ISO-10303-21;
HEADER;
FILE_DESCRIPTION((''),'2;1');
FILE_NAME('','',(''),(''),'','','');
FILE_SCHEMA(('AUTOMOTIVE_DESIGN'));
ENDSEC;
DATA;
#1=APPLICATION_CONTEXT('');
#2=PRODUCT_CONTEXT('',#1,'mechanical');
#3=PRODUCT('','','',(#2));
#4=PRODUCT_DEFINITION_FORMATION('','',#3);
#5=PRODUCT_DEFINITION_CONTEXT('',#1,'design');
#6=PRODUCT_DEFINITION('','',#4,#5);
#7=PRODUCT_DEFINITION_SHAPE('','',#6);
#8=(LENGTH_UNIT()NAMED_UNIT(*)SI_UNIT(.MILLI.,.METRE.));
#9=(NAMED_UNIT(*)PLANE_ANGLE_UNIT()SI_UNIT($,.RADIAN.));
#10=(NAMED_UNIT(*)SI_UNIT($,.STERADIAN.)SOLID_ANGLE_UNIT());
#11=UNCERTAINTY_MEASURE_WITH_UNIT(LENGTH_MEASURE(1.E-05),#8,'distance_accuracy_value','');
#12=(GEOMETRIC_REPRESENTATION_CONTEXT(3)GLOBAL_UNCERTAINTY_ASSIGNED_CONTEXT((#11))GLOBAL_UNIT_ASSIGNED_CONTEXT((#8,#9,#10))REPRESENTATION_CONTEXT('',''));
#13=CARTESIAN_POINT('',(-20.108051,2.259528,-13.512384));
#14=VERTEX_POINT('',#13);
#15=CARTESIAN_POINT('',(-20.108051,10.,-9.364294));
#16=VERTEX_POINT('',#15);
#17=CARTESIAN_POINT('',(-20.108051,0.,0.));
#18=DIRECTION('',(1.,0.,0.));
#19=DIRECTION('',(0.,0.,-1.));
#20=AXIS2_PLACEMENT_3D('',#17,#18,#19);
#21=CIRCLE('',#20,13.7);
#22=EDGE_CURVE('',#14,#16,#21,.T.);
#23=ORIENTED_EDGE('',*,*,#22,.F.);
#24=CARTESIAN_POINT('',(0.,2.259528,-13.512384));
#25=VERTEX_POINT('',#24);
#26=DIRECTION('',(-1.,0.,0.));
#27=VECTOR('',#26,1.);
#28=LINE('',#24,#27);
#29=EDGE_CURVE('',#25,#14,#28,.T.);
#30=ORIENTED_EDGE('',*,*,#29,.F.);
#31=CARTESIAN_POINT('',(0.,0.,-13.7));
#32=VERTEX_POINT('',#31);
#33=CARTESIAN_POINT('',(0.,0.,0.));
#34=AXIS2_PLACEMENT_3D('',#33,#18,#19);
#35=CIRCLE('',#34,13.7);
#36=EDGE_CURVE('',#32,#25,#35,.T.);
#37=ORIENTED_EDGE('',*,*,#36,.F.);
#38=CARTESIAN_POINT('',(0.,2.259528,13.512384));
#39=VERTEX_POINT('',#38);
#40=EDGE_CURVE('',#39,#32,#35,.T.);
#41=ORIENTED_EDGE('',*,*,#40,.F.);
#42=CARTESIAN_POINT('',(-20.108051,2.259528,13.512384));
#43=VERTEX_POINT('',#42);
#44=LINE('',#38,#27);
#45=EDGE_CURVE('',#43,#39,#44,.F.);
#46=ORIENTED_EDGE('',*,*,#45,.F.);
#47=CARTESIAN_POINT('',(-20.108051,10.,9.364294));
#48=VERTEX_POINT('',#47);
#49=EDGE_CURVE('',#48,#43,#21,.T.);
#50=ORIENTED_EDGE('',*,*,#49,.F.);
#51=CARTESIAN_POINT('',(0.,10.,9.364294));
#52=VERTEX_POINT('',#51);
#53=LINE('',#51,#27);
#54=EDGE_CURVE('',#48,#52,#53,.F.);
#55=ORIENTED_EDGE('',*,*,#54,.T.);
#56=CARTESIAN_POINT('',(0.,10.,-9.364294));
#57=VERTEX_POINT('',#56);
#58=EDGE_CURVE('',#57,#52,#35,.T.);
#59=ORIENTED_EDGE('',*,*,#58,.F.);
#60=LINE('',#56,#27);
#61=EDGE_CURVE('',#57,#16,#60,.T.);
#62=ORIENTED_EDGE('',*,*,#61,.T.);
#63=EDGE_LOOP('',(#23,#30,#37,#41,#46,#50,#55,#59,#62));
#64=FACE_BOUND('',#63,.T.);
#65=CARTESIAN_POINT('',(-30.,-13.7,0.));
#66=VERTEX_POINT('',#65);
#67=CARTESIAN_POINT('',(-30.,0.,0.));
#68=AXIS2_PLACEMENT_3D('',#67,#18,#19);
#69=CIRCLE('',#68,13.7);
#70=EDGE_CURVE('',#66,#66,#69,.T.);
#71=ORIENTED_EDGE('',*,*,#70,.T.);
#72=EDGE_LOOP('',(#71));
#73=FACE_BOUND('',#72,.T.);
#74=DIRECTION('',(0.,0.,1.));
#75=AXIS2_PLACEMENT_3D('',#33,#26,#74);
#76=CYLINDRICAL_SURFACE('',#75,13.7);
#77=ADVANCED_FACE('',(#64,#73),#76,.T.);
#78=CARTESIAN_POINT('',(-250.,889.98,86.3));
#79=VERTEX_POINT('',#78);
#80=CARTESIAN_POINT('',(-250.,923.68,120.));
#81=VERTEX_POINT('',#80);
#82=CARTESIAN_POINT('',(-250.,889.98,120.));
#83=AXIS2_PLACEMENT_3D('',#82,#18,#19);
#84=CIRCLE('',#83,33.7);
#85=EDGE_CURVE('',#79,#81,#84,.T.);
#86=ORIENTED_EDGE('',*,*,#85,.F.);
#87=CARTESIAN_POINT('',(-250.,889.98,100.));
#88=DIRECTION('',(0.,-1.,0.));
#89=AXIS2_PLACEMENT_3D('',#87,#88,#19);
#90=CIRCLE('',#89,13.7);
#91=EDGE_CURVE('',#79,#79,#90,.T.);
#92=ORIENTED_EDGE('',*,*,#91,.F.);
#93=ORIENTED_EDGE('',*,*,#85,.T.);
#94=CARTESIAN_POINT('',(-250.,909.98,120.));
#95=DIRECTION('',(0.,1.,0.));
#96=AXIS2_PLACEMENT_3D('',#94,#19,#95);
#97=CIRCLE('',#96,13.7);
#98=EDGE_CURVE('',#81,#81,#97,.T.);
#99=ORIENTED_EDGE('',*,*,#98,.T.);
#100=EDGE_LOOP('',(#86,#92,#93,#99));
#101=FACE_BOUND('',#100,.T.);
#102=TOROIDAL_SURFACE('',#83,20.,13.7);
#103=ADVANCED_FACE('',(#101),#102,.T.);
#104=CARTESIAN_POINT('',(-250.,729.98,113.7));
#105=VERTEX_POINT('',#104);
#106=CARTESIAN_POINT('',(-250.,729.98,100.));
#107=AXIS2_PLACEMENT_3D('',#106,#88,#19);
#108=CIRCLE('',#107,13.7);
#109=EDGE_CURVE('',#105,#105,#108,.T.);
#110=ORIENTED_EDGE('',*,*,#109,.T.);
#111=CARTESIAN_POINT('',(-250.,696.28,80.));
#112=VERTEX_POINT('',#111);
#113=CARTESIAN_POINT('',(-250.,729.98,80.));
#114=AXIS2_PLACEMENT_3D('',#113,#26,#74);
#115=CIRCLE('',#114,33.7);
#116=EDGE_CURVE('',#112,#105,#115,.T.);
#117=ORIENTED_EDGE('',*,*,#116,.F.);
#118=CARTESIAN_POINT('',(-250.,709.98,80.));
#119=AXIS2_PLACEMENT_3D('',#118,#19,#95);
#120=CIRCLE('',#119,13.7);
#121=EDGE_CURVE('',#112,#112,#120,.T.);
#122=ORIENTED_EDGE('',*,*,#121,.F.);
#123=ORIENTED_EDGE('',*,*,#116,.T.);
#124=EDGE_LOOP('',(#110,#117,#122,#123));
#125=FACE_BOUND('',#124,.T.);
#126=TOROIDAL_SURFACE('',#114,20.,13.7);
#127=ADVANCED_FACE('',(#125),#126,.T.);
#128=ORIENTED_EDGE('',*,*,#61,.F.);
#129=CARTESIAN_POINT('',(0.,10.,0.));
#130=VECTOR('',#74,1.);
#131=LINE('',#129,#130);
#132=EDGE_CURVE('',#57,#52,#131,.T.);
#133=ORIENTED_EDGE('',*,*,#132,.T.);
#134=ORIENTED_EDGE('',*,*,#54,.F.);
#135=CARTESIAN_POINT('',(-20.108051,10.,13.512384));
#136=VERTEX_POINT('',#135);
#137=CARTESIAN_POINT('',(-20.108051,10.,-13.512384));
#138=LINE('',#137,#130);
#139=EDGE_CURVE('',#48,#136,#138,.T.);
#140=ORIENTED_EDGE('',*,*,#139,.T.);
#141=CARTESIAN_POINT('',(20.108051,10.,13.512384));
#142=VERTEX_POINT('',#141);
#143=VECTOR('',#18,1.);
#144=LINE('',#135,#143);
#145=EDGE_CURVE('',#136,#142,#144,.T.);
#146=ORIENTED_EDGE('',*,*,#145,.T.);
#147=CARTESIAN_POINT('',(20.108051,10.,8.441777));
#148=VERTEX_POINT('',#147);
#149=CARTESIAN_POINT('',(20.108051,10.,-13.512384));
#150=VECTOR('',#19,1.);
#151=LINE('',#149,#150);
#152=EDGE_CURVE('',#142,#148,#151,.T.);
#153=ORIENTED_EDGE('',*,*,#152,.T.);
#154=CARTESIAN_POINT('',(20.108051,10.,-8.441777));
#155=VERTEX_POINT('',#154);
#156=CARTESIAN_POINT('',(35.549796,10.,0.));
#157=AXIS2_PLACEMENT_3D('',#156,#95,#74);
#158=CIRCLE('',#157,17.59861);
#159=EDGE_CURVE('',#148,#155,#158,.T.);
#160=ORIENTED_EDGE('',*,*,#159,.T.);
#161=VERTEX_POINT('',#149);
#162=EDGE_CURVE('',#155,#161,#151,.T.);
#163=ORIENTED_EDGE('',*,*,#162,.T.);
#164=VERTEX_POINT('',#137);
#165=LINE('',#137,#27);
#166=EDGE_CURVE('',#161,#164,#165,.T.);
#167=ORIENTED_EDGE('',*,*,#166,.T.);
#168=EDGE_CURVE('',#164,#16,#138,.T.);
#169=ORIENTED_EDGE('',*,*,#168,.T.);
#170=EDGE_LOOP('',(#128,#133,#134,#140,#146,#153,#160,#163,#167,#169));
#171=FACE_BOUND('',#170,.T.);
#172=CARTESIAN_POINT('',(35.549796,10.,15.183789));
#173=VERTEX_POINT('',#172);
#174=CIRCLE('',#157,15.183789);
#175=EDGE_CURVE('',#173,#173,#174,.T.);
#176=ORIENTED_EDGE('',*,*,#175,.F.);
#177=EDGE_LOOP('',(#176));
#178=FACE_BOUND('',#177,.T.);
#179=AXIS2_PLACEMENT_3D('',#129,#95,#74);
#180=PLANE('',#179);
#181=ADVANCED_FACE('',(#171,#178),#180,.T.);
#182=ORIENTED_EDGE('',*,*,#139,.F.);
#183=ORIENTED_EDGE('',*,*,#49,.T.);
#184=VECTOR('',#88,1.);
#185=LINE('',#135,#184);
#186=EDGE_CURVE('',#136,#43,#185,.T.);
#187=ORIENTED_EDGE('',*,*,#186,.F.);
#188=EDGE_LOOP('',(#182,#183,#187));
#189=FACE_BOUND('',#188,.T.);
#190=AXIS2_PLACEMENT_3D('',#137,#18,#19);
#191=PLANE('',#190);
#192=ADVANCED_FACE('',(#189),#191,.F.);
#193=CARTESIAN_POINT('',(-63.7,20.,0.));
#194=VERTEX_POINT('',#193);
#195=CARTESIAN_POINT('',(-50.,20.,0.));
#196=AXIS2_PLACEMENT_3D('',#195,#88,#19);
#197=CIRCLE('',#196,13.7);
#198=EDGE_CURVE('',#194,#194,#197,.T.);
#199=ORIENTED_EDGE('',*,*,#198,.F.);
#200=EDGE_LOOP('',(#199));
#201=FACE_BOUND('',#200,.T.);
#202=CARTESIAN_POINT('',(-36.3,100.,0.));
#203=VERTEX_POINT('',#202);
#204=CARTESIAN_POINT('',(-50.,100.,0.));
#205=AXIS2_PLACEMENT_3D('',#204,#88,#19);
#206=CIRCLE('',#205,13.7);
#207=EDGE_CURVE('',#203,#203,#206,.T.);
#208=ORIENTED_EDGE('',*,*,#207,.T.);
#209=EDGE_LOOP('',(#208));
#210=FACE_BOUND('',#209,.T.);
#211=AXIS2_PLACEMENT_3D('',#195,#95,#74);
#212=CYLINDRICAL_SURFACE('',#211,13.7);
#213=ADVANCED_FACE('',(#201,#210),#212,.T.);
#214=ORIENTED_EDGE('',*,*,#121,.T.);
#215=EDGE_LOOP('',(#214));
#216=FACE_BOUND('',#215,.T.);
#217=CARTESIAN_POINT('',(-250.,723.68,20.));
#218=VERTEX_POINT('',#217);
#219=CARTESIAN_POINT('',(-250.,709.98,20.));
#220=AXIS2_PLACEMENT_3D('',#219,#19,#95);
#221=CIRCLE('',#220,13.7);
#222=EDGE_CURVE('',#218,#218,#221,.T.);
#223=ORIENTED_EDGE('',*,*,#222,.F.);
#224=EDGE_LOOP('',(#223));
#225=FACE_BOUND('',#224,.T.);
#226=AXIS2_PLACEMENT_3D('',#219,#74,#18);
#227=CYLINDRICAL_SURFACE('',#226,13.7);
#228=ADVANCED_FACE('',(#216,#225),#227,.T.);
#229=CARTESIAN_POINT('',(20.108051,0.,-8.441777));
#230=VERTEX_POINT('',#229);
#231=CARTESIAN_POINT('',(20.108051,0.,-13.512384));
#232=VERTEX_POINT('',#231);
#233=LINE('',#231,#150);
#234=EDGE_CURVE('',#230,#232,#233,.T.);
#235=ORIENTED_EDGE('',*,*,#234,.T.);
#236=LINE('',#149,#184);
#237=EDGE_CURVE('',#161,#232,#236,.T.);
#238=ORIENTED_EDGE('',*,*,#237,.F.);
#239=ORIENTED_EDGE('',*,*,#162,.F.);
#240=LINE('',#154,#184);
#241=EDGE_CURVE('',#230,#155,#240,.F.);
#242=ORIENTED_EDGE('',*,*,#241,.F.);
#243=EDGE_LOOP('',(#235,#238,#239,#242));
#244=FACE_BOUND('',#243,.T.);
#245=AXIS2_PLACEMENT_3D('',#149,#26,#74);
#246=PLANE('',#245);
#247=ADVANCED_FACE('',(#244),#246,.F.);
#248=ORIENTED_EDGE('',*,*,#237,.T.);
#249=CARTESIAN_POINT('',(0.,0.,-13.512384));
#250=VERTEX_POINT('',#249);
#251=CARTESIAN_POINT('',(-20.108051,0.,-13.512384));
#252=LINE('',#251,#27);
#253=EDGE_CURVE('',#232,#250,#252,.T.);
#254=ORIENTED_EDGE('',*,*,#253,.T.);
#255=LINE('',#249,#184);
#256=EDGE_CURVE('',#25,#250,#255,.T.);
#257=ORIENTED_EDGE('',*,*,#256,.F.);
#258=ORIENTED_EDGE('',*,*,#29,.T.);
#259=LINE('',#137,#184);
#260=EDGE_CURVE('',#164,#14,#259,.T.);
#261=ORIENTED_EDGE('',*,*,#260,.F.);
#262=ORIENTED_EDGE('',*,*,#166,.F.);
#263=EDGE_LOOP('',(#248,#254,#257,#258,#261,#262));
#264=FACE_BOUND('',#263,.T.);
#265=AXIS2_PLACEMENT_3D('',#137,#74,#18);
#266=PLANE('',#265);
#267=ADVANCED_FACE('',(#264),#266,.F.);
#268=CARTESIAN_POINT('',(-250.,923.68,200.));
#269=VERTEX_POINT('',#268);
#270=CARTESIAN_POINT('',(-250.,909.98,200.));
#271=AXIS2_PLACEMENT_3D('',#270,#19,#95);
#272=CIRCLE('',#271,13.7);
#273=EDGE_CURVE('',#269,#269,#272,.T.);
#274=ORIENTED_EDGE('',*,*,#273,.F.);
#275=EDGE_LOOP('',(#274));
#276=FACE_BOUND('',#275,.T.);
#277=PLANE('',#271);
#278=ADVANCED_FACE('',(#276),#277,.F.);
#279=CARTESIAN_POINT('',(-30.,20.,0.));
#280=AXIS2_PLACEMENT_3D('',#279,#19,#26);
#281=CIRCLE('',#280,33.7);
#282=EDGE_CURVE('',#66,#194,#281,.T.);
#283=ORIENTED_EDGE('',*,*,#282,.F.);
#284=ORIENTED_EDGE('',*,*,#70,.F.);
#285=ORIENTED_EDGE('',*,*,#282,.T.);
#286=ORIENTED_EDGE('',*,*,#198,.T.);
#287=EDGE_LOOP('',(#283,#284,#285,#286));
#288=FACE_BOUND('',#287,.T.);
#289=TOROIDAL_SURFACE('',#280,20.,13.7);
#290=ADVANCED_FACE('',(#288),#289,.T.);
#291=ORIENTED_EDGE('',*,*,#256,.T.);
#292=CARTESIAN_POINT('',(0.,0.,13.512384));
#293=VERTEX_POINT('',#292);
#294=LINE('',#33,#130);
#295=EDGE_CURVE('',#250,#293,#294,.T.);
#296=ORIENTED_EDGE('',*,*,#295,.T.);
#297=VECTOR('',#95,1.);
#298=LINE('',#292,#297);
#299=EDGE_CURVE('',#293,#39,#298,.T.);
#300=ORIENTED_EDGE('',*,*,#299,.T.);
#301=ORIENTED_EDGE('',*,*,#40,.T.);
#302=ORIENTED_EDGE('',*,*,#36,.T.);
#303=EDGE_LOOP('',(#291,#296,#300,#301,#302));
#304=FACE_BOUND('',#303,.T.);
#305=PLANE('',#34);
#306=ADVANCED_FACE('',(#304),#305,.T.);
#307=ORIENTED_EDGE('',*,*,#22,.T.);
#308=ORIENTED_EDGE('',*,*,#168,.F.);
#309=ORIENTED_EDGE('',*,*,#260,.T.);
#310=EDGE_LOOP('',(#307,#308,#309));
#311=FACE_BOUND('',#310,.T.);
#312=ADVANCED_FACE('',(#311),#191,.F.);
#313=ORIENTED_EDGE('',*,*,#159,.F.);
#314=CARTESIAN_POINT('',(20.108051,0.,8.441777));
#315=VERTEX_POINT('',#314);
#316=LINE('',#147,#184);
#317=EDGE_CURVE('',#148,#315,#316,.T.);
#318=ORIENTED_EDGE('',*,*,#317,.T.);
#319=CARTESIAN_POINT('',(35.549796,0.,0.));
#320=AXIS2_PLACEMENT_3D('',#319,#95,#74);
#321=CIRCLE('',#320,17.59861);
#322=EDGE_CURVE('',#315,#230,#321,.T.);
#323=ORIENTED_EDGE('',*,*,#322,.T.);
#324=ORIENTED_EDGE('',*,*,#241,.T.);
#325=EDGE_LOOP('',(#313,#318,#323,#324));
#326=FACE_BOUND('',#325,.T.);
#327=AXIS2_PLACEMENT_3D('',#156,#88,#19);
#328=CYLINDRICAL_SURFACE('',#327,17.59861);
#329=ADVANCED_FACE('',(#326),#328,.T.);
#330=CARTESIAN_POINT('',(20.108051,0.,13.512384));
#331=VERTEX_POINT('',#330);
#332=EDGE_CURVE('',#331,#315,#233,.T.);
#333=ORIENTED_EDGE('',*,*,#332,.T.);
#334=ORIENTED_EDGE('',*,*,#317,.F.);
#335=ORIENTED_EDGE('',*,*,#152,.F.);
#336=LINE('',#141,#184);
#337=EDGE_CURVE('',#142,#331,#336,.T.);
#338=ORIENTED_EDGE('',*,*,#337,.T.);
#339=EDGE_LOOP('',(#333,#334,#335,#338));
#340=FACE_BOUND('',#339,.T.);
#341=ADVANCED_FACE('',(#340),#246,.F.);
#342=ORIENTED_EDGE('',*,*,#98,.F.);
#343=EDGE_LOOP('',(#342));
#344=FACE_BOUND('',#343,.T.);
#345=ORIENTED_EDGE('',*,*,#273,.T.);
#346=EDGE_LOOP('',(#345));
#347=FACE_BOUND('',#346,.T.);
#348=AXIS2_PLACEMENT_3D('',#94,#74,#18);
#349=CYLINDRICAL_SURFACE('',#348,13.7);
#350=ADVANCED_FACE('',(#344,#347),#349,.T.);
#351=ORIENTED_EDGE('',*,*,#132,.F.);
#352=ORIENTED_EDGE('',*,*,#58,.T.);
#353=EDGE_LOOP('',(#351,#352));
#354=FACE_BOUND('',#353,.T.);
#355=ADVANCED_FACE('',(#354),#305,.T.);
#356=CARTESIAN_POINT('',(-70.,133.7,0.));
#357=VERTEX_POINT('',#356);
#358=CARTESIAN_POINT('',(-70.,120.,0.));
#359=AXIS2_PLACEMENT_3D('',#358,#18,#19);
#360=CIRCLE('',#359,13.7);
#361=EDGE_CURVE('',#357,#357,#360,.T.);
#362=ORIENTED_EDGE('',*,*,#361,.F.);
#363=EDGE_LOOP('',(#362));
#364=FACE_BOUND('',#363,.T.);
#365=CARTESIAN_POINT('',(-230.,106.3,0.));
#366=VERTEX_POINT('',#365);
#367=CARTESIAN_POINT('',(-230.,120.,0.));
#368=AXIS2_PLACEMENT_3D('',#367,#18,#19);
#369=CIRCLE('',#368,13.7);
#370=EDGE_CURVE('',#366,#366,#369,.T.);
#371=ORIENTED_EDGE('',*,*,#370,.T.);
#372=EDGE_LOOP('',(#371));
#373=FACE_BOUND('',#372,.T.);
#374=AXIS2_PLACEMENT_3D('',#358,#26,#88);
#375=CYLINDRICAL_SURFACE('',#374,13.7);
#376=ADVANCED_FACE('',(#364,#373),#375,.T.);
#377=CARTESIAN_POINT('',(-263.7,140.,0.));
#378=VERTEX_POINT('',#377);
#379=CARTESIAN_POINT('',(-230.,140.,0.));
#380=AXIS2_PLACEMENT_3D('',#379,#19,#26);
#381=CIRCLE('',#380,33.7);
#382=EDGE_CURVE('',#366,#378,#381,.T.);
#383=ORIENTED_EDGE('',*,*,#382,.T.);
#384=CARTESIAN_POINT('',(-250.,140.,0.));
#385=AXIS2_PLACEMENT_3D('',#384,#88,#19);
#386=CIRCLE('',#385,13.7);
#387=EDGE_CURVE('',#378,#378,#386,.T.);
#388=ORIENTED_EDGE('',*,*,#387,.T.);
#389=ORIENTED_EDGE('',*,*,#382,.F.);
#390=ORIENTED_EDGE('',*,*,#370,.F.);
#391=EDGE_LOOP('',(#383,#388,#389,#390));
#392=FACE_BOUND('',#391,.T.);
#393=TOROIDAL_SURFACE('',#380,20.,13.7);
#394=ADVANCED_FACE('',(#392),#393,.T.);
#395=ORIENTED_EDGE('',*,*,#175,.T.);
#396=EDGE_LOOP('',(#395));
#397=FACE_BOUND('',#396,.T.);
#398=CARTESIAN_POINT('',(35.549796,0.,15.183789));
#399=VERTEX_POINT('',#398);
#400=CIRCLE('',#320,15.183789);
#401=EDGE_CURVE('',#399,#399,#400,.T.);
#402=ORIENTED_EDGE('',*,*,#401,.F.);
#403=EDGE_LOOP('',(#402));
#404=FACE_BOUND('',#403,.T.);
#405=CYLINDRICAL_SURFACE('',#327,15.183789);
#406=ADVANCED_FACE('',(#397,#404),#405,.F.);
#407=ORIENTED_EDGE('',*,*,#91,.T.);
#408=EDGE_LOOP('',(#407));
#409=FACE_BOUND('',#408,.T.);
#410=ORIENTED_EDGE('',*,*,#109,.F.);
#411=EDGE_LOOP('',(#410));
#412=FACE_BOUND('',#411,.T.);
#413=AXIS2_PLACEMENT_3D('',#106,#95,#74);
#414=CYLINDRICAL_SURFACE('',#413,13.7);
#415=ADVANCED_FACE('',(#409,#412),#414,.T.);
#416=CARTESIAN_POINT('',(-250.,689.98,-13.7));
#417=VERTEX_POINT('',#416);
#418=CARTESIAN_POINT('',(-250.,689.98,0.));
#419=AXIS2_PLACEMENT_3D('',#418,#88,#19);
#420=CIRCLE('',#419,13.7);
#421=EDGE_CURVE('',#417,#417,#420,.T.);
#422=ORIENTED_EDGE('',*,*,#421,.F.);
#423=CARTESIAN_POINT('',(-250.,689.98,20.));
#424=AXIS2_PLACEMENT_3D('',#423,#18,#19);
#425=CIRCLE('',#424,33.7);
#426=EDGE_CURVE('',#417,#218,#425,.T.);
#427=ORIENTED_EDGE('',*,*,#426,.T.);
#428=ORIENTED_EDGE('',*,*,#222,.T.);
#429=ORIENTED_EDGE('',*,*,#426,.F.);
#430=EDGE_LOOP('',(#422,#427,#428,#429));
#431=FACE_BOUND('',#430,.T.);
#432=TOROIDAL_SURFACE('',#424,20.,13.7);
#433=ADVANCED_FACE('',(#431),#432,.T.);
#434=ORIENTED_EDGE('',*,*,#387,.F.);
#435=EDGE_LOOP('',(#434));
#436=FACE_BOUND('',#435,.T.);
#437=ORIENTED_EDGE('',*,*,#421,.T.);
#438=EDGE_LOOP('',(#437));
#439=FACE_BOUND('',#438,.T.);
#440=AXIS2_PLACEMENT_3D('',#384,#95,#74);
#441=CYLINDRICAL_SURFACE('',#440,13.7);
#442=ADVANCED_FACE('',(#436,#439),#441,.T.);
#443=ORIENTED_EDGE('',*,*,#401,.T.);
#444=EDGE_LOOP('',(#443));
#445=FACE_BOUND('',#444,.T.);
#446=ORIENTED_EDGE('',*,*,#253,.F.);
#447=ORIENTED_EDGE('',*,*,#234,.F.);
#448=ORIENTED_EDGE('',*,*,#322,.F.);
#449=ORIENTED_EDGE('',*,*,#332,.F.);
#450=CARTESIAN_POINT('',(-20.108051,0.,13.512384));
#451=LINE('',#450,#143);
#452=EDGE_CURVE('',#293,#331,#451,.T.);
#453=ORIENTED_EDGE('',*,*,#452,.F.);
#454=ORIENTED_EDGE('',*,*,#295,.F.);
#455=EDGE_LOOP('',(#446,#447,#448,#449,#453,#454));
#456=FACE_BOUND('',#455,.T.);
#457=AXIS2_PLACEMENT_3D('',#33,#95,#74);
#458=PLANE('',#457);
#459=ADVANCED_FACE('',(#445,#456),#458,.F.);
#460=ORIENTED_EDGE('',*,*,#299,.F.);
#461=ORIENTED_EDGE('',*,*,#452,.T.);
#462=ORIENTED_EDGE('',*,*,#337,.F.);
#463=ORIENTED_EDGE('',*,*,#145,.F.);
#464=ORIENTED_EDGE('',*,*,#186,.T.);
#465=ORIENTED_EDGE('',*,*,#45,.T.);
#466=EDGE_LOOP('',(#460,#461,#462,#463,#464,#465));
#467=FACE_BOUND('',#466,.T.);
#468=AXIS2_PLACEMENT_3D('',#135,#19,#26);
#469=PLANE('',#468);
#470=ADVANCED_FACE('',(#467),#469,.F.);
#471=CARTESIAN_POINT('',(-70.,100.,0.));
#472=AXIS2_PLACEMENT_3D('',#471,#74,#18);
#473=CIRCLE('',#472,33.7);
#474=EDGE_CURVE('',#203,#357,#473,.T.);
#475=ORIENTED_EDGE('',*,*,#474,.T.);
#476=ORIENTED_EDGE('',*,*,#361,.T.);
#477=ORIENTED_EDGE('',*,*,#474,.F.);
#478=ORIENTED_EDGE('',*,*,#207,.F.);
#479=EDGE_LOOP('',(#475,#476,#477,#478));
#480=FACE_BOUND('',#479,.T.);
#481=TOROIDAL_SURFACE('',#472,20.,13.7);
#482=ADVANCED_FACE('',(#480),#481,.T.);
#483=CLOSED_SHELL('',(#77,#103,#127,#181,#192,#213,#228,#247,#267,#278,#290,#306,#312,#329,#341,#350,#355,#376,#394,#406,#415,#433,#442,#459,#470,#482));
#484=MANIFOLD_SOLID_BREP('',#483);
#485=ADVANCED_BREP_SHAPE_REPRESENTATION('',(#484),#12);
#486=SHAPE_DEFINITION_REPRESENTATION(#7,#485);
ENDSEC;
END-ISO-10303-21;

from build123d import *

# Parameters (mm, degrees)
CROQUIS1_R              = 13.7
CROQUIS2_R              = 17.598610065
CROQUIS2_R_2            = 15.183788675
SALIENTE_EXTRUIR1_DEPTH = 10
CROQUIS3_W              = 40.216102736
CROQUIS3_H              = 27.024768892
SALIENTE_EXTRUIR2_DEPTH = 10


with BuildPart() as part:
    # Barrer1: sweep along a curve in space
    with BuildLine() as barrer1_path:
        Line((0, 0, 0), (-30, 0, 0))
        ThreePointArc((-30, 0, 0), (-44.142135624, 5.857864376, 0), (-50, 20, 0))
        Line((-50, 20, 0), (-50, 100, 0))
        ThreePointArc((-50, 100, 0), (-55.857864376, 114.142135624, 0), (-70, 120, 0))
        Line((-70, 120, 0), (-230, 120, 0))
        ThreePointArc((-230, 120, 0), (-244.142135624, 125.857864376, 0), (-250, 140, 0))
        Line((-250, 140, 0), (-250, 689.98, 0))
        ThreePointArc((-250, 689.98, 0), (-250, 704.122135624, 5.857864376), (-250, 709.98, 20))
        Line((-250, 709.98, 20), (-250, 709.98, 80))
        ThreePointArc((-250, 709.98, 80), (-250, 715.837864376, 94.142135624), (-250, 729.98, 100))
        Line((-250, 729.98, 100), (-250, 889.98, 100))
        ThreePointArc((-250, 889.98, 100), (-250, 904.122135624, 105.857864376), (-250, 909.98, 120))
        Line((-250, 909.98, 120), (-250, 909.98, 200))
    # Croquis1 → Barrer1 (sweep)
    with BuildSketch(Plane(origin=(0, 0, 0), x_dir=(0, 0, -1), z_dir=(1, 0, 0))):
        Circle(CROQUIS1_R)
    sweep(path=barrer1_path.line)



with BuildPart() as body_2:
    # Croquis2 → Saliente-Extruir1 (new body)
    with BuildSketch(Plane(origin=(0, 0, 0), x_dir=(1, 0, 0), z_dir=(0, 1, 0))):
        with Locations((35.549795944, 0)):
            Circle(CROQUIS2_R)
        with Locations((35.549795944, 0)):
            Circle(CROQUIS2_R_2, mode=Mode.SUBTRACT)
    extrude(amount=SALIENTE_EXTRUIR1_DEPTH)


with BuildPart() as part_1:
    add(part.part)

    add(body_2.part)  # Saliente-Extruir2 merges body 2
    # Croquis3 → Saliente-Extruir2 (add)
    with BuildSketch(Plane(origin=(0, 0, 0), x_dir=(1, 0, 0), z_dir=(0, 1, 0))):
        Rectangle(CROQUIS3_W, CROQUIS3_H)
    extrude(amount=SALIENTE_EXTRUIR2_DEPTH)


solid = part_1.part
